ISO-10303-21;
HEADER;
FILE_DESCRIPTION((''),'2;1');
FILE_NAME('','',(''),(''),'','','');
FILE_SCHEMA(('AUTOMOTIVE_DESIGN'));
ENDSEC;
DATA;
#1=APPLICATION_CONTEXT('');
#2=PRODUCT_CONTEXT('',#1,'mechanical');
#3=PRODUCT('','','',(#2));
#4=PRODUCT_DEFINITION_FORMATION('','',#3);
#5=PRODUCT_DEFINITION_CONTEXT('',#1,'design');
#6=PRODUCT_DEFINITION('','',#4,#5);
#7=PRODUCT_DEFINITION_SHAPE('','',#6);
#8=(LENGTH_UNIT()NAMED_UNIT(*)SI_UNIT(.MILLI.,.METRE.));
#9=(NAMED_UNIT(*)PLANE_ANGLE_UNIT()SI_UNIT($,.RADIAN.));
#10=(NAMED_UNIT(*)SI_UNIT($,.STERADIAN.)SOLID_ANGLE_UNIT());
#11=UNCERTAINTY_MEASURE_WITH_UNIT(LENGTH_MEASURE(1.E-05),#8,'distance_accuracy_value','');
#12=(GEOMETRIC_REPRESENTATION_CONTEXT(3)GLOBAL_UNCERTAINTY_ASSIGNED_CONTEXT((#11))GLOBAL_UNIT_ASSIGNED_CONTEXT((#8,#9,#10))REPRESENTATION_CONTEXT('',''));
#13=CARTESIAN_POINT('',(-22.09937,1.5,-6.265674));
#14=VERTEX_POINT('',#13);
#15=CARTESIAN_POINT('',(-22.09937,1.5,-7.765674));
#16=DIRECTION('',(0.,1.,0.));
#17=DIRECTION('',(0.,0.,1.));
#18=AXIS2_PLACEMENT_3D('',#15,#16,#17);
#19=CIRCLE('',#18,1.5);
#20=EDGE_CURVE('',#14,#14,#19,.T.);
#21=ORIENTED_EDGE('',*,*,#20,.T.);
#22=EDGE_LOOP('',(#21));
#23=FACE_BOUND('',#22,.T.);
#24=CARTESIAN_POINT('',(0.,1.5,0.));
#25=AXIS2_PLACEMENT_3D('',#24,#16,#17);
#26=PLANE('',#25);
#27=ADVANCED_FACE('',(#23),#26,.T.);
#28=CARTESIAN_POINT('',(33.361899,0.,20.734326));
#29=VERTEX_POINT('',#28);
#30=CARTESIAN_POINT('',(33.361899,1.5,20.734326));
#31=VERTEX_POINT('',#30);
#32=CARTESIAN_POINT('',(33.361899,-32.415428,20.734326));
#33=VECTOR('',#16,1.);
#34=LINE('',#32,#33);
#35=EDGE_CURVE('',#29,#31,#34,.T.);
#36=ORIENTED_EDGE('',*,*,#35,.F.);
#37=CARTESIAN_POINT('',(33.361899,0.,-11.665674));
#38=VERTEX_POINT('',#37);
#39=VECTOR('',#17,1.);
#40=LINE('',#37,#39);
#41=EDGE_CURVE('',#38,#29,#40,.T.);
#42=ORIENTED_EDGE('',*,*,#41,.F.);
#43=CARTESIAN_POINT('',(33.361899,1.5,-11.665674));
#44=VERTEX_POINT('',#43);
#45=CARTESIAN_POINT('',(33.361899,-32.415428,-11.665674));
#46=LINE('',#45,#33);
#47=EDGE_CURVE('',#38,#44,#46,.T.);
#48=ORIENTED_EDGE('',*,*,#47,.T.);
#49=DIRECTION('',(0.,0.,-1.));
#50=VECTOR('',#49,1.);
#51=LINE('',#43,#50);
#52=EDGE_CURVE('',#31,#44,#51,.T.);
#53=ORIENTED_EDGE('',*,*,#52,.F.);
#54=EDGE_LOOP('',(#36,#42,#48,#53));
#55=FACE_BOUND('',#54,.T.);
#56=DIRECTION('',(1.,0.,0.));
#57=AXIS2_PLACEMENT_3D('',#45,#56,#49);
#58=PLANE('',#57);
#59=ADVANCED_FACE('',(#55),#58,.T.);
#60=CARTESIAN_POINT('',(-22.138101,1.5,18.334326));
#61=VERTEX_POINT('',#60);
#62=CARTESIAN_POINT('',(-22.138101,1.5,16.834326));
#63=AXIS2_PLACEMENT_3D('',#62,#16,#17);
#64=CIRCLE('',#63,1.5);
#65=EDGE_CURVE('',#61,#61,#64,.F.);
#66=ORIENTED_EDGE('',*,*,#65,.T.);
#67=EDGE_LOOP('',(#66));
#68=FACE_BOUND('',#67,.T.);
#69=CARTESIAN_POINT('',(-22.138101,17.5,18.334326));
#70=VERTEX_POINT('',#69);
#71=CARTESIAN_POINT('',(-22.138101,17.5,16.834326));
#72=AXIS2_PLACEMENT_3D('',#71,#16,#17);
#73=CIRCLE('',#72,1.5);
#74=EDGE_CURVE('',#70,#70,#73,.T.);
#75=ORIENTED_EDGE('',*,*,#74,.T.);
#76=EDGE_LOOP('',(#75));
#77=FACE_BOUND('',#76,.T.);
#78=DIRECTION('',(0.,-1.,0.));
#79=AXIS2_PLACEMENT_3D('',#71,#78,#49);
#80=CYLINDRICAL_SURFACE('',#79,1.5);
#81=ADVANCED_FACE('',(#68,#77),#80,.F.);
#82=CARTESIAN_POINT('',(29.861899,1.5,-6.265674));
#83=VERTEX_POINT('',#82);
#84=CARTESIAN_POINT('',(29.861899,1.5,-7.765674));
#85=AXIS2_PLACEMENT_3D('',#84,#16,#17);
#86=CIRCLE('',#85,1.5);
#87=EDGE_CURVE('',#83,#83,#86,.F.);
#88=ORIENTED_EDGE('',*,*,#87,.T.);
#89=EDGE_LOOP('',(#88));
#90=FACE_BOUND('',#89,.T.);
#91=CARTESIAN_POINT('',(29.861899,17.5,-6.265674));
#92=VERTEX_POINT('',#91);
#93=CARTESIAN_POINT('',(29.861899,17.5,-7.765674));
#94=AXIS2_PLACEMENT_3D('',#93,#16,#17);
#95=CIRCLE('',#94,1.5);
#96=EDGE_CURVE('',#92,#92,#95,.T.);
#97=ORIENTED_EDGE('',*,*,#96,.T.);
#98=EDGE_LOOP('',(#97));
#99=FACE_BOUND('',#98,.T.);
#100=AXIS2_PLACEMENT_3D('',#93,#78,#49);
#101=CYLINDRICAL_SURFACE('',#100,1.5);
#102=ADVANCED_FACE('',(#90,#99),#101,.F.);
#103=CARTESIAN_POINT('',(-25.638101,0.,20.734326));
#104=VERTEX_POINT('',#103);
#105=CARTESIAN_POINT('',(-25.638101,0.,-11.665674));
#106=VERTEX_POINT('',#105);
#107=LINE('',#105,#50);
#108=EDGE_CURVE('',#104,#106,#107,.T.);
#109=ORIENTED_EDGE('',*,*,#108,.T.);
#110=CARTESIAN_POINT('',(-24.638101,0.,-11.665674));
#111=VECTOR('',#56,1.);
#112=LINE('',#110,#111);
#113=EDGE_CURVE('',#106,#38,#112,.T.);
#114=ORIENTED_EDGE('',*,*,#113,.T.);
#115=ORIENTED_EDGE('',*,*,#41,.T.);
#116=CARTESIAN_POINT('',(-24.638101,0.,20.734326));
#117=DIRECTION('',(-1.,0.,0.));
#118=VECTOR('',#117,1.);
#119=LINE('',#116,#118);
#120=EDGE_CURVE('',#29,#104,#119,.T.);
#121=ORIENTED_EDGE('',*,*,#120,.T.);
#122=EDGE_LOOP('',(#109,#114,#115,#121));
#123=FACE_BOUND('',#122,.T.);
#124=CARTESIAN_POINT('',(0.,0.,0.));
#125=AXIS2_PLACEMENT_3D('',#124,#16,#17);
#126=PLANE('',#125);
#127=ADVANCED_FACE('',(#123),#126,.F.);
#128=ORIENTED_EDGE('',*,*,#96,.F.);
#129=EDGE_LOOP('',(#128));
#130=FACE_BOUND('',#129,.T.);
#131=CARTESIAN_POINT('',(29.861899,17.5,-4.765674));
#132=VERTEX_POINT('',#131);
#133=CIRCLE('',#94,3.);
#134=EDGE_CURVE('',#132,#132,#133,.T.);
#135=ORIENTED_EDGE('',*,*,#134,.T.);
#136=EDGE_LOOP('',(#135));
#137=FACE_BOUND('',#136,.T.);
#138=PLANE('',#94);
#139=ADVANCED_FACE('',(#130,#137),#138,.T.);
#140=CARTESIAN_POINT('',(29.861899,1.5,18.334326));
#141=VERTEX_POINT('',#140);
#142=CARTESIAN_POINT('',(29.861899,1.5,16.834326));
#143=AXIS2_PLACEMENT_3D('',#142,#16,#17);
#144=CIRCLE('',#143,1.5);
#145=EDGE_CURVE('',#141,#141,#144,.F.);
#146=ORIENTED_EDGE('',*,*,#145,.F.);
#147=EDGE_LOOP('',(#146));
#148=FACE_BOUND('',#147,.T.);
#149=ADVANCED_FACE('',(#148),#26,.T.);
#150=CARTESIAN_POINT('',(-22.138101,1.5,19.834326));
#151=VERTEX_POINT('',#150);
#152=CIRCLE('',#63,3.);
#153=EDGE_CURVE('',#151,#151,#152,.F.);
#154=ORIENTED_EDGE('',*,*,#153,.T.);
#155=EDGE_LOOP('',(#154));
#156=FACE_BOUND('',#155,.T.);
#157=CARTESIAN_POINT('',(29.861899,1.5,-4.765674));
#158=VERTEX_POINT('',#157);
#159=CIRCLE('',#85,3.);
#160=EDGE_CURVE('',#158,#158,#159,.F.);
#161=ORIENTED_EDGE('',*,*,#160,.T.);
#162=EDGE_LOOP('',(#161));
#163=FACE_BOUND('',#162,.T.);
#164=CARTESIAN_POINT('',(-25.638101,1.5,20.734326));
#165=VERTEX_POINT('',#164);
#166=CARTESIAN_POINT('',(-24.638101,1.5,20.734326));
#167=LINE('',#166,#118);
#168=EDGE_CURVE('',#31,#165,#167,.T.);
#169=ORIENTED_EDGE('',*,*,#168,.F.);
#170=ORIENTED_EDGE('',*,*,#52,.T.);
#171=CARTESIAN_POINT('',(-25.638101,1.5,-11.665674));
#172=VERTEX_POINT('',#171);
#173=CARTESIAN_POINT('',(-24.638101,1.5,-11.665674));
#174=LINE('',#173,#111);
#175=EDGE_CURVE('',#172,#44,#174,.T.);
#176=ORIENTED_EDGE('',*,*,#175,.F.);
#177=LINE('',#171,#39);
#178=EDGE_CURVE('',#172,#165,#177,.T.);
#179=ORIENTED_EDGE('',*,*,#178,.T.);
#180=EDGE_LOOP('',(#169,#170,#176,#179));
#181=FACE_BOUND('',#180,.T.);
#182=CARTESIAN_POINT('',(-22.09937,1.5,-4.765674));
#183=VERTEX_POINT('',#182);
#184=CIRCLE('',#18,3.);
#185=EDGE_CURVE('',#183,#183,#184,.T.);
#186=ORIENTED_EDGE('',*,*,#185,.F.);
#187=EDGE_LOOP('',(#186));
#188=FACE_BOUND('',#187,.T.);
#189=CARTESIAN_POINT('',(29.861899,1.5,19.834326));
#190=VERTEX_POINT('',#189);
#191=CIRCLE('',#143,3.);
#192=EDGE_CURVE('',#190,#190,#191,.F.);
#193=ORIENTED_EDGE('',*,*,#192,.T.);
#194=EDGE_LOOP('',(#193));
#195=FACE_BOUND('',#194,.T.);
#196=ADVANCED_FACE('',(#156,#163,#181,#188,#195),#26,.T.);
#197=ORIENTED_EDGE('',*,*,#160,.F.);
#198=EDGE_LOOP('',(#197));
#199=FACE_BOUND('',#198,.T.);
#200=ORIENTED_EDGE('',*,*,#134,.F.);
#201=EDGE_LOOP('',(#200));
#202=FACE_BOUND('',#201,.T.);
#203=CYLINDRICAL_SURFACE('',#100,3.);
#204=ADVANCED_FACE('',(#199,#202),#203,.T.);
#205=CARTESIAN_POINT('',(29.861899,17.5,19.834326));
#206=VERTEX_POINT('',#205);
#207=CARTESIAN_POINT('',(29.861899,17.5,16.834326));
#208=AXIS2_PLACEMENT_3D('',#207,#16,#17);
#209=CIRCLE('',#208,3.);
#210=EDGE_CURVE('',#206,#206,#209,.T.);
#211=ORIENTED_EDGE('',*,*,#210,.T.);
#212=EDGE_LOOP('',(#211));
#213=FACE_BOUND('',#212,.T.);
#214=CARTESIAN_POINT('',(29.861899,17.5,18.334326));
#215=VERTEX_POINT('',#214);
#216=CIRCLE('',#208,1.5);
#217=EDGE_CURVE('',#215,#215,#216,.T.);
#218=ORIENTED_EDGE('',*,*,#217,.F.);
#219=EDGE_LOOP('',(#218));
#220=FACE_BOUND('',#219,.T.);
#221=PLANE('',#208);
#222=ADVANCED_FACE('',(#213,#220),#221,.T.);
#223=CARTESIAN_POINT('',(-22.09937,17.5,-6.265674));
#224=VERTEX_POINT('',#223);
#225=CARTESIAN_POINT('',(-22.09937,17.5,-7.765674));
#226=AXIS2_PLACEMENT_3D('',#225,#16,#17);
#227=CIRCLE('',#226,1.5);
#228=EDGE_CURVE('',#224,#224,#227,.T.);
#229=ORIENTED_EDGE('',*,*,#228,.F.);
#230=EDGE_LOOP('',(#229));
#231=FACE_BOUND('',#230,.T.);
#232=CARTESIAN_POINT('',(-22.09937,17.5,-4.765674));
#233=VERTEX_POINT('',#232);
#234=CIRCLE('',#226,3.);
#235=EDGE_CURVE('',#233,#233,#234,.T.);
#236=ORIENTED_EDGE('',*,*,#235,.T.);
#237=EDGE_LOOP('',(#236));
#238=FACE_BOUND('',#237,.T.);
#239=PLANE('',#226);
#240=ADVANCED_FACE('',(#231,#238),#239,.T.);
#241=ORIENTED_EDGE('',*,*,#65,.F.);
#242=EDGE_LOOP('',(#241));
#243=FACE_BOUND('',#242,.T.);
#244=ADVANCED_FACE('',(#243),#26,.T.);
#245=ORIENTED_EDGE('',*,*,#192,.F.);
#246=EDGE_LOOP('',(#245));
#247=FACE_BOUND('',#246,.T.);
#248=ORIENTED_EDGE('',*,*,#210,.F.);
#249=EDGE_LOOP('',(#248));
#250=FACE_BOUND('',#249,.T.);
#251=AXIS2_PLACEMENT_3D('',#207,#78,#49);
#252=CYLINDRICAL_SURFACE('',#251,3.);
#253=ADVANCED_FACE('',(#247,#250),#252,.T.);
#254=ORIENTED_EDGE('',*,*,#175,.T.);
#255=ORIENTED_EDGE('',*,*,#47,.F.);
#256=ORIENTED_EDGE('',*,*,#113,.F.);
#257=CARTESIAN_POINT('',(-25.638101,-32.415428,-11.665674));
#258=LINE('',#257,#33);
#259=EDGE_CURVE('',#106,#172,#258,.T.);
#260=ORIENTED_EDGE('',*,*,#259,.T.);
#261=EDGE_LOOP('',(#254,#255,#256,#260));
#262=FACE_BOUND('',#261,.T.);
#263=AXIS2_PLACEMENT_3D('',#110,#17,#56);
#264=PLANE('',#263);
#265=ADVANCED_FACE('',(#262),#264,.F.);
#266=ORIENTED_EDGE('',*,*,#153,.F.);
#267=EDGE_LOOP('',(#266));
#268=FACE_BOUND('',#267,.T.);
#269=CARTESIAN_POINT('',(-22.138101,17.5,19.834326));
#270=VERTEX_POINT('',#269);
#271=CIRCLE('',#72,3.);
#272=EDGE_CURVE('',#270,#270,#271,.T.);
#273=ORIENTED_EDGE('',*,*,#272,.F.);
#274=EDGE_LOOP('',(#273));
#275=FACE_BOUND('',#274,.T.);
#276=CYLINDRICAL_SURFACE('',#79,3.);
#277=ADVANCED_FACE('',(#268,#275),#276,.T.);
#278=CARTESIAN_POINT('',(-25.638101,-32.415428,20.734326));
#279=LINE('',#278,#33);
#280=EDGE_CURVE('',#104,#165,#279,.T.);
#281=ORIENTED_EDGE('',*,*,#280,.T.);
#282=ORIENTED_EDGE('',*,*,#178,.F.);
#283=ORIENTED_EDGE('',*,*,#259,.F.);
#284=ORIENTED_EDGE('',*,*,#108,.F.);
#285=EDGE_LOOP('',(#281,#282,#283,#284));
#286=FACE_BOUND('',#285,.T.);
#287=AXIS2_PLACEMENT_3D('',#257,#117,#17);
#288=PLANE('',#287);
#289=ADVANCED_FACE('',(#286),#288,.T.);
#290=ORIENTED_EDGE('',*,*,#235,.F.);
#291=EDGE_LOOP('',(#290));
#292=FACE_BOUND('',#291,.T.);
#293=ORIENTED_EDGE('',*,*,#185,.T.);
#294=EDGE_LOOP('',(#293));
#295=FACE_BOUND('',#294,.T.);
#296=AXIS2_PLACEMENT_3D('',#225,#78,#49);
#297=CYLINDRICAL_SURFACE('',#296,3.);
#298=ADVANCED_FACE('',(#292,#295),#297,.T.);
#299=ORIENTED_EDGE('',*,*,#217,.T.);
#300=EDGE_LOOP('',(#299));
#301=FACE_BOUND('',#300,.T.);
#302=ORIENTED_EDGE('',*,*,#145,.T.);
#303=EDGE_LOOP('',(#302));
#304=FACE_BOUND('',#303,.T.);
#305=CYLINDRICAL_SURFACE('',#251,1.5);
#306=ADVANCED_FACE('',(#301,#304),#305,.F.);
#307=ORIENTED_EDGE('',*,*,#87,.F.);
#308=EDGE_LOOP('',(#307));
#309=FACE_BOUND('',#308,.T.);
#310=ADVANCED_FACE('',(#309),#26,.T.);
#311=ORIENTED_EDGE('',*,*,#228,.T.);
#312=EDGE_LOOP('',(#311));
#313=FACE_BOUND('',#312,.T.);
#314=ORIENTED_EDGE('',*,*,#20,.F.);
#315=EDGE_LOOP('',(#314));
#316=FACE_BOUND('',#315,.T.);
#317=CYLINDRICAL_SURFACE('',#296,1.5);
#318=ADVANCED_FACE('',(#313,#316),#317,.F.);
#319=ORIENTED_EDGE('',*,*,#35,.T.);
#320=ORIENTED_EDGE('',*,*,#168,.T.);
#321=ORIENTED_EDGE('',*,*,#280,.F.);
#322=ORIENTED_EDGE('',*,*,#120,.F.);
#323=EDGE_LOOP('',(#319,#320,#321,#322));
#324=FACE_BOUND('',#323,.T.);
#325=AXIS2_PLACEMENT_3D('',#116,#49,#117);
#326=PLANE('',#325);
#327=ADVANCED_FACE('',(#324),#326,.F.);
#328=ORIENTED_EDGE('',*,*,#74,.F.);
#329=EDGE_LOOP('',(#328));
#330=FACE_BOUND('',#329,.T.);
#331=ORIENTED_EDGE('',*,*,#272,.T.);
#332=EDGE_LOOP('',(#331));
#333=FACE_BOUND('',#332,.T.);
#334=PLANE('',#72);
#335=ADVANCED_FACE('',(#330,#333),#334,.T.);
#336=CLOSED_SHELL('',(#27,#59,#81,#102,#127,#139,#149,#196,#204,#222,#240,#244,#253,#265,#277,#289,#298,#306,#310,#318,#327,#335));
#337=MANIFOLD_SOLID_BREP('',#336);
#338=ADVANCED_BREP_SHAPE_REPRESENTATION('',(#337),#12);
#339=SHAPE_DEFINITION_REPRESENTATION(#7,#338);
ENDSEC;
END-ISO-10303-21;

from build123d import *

# Parameters (mm, degrees)
SKETCH_2_W          = 57
SKETCH_2_H          = 40.4
EXTRUDE_1_DEPTH     = 1.5
SKETCH_4_R          = 3
SKETCH_4_R_2        = 1.5
EXTRUDE_3_DEPTH     = 16
SKETCH_5_W          = 57
SKETCH_5_H          = 4
CUT_EXTRUDE_1_DEPTH = 2.5
SKETCH_6_W          = 1
SKETCH_6_H          = 32.4
EXTRUDE_4_DEPTH     = 1.5


with BuildPart() as part:
    # 草图2 → 凸台-拉伸1 (new body)
    with BuildSketch(Plane(origin=(0, 0, 0), x_dir=(1, 0, 0), z_dir=(0, 1, 0))):
        with Locations((3.861898857, -4.534326193)):
            Rectangle(SKETCH_2_W, SKETCH_2_H)
    extrude(amount=EXTRUDE_1_DEPTH)

    # 草图4 → 凸台-拉伸3 (add)
    with BuildSketch(Plane(origin=(0, 1.5, 0), x_dir=(1, 0, 0), z_dir=(0, 1, 0))):
        with Locations((-22.099370277, 7.765673807)):
            Circle(SKETCH_4_R)
        with Locations((-22.099370277, 7.765673807)):
            Circle(SKETCH_4_R_2, mode=Mode.SUBTRACT)
        with Locations((-22.138101143, -16.834326193)):
            Circle(SKETCH_4_R)
        with Locations((-22.138101143, -16.834326193)):
            Circle(SKETCH_4_R_2, mode=Mode.SUBTRACT)
        with Locations((29.861898857, -16.834326193)):
            Circle(SKETCH_4_R)
        with Locations((29.861898857, -16.834326193)):
            Circle(SKETCH_4_R_2, mode=Mode.SUBTRACT)
        with Locations((29.861898857, 7.765673807)):
            Circle(SKETCH_4_R)
        with Locations((29.861898857, 7.765673807)):
            Circle(SKETCH_4_R_2, mode=Mode.SUBTRACT)
    extrude(amount=EXTRUDE_3_DEPTH)

    # 草图5 → 切除-拉伸1 (cut, through all)
    with BuildSketch(Plane(origin=(0, 1.5, 0), x_dir=(1, 0, 0), z_dir=(0, 1, 0))):
        with Locations((3.861898857, 13.665673807)):
            Rectangle(SKETCH_5_W, SKETCH_5_H)
        with Locations((3.861898857, -22.734326193)):
            Rectangle(SKETCH_5_W, SKETCH_5_H)
    extrude(amount=-CUT_EXTRUDE_1_DEPTH, mode=Mode.SUBTRACT)

    # 草图6 → 凸台-拉伸4 (add)
    with BuildSketch(Plane(origin=(0, 1.5, 0), x_dir=(1, 0, 0), z_dir=(0, 1, 0))):
        with Locations((-25.138101143, -4.534326193)):
            Rectangle(SKETCH_6_W, SKETCH_6_H)
        with Locations((32.861898857, -4.534326193)):
            Rectangle(SKETCH_6_W, SKETCH_6_H)
    extrude(amount=-EXTRUDE_4_DEPTH)


solid = part.part
